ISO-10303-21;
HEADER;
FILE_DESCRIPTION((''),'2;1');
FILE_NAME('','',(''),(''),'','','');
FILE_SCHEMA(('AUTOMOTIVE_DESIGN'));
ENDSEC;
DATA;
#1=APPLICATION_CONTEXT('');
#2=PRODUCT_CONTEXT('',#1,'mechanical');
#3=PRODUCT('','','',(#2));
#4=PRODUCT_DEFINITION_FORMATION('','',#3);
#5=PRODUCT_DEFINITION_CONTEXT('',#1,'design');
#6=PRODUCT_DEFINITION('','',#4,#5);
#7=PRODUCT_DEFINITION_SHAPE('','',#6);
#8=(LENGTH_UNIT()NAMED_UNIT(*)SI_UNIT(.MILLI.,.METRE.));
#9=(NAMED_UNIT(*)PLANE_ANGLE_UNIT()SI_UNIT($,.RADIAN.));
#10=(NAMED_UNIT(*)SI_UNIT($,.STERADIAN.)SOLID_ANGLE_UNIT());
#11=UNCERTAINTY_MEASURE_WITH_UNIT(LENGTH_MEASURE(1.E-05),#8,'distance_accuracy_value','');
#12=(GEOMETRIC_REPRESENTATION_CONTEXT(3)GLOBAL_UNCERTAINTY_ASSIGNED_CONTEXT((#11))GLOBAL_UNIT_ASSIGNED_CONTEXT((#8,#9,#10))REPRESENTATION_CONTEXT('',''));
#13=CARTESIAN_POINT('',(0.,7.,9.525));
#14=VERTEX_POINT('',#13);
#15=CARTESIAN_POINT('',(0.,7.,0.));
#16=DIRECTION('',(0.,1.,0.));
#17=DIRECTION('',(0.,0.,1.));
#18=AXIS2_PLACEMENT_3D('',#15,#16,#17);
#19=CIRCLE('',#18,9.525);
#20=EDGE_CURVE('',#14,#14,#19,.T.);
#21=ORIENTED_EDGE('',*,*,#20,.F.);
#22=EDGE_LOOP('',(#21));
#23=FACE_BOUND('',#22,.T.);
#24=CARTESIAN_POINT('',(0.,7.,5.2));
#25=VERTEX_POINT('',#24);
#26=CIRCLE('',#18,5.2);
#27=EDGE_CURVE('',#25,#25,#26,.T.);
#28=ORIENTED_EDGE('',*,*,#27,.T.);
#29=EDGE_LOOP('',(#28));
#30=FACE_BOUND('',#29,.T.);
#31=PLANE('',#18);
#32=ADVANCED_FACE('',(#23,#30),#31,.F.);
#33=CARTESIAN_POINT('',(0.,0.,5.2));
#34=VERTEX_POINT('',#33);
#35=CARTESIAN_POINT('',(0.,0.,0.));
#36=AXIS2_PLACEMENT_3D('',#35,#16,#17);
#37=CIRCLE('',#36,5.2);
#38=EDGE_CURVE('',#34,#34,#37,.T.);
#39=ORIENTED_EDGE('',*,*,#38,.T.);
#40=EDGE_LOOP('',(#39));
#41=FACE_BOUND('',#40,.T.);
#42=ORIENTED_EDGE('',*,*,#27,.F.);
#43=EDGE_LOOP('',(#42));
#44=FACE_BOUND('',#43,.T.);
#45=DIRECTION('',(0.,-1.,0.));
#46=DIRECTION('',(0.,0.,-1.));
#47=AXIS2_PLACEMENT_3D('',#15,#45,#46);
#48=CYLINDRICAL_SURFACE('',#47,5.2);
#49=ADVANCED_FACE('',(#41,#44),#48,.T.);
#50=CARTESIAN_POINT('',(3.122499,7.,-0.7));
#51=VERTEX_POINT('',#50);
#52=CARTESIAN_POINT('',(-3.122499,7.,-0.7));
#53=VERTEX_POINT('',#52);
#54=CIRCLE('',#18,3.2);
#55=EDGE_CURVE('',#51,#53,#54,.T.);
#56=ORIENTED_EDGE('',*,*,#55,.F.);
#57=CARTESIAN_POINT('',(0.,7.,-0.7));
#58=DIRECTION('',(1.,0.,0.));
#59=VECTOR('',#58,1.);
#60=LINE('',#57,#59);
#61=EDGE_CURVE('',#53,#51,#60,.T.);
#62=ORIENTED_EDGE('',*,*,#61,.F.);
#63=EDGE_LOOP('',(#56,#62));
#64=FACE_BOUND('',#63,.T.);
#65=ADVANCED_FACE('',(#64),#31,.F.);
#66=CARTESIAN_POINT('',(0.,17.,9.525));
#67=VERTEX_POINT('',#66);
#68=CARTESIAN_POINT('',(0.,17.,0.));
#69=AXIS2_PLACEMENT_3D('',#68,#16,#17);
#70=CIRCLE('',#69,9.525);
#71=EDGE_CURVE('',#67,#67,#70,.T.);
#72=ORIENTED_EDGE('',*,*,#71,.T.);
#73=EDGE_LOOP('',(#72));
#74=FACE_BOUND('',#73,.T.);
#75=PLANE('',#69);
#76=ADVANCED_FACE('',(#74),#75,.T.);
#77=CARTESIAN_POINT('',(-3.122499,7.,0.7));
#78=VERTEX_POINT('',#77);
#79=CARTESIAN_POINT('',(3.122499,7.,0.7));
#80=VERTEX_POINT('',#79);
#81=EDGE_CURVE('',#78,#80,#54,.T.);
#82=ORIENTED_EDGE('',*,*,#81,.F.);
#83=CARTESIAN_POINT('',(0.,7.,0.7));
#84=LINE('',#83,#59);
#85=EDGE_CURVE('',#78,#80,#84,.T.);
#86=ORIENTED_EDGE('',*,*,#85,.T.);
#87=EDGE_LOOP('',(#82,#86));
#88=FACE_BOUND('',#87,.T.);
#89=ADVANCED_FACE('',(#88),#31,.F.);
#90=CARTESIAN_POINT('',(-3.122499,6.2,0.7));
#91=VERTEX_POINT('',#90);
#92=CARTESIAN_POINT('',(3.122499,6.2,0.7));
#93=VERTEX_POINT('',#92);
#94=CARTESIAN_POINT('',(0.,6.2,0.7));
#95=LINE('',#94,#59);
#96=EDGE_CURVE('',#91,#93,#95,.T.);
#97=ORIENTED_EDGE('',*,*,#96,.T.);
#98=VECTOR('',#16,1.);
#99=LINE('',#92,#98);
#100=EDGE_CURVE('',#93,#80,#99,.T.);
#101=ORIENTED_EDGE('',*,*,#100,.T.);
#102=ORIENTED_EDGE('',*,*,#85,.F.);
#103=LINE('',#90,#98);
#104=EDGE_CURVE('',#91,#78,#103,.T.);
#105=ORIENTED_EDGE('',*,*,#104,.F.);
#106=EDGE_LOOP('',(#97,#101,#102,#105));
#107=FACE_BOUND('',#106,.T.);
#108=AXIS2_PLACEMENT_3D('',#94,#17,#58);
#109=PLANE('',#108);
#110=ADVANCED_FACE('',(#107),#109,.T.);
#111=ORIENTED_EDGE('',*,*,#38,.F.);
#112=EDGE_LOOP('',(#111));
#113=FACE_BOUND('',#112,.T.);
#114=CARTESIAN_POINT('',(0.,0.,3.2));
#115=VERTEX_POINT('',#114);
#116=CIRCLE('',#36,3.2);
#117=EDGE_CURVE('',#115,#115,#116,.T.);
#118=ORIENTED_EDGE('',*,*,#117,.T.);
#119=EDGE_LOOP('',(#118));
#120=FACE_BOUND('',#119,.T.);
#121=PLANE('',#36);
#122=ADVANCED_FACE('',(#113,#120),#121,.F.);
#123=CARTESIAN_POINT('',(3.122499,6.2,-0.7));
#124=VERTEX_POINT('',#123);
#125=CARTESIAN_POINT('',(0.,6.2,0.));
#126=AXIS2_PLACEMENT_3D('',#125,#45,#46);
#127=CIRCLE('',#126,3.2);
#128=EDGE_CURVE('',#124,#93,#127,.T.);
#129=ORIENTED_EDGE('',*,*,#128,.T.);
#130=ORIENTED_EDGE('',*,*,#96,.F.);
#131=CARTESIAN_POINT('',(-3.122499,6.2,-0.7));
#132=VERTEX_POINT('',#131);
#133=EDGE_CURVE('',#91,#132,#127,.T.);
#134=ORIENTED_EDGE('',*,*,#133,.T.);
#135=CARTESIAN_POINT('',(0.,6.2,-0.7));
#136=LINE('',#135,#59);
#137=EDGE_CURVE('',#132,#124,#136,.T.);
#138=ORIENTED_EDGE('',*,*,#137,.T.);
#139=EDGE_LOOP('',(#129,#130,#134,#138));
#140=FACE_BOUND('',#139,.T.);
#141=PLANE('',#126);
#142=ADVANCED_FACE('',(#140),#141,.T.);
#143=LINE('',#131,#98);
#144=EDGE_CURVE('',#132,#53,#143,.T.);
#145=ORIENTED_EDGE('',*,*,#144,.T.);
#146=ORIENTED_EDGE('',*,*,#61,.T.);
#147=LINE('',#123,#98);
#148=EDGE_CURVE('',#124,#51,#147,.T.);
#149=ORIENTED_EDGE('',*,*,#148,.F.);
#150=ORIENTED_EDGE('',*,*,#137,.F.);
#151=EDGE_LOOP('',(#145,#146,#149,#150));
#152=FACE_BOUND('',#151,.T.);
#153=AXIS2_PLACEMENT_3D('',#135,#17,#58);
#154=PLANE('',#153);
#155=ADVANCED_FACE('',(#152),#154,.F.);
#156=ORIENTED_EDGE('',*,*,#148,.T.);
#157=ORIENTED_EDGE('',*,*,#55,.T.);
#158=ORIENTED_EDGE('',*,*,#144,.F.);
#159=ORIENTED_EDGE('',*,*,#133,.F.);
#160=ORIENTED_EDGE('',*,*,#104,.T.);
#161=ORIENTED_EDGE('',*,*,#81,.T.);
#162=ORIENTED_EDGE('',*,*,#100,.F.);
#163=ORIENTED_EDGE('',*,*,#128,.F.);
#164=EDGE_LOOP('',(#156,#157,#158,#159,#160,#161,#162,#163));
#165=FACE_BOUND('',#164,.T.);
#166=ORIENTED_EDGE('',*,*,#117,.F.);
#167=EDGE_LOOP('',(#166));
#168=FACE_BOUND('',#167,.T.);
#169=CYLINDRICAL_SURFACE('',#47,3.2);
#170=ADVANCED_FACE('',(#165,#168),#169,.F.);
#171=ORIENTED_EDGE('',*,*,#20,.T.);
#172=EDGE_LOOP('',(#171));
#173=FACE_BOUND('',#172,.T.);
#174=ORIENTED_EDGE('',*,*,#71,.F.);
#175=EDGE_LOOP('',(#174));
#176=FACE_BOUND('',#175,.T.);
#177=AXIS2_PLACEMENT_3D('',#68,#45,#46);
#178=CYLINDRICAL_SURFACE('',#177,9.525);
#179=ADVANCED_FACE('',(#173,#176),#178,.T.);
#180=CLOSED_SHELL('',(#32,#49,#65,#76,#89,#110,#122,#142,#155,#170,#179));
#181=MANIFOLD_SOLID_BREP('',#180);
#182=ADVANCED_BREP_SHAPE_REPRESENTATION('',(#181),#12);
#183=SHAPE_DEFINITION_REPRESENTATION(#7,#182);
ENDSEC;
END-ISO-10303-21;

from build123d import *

# Parameters (mm, degrees)
SKETCH1_R           = 5.2
SKETCH1_R_2         = 3.2
BOSS_EXTRUDE1_DEPTH = 7
SKETCH2_R           = 9.525
BOSS_EXTRUDE2_DEPTH = 10
BOSS_EXTRUDE3_START = 0.8
BOSS_EXTRUDE3_DEPTH = 0.8


with BuildPart() as part:
    # Sketch1 → Boss-Extrude1 (new body)
    with BuildSketch(Plane(origin=(0, 0, 0), x_dir=(1, 0, 0), z_dir=(0, 1, 0))):
        with Locations(Location((0, 0, 0), (0, 0, 270))):
            Circle(SKETCH1_R)
        with Locations(Location((0, 0, 0), (0, 0, 270))):
            Circle(SKETCH1_R_2, mode=Mode.SUBTRACT)
    extrude(amount=BOSS_EXTRUDE1_DEPTH)

    # Sketch2 → Boss-Extrude2 (add)
    with BuildSketch(Plane(origin=(0, 7, 0), x_dir=(1, 0, 0), z_dir=(0, 1, 0))):
        with Locations(Location((0, 0, 0), (0, 0, 270))):
            Circle(SKETCH2_R)
    extrude(amount=BOSS_EXTRUDE2_DEPTH)

    # Sketch3 → Boss-Extrude3 (add)
    with BuildSketch(Plane.XZ.offset(-7).offset(BOSS_EXTRUDE3_START)):
        with BuildLine():
            Line((3.122498999, 0.7), (-3.122498999, 0.7))
            ThreePointArc((-3.122498999, 0.7), (-3.180565736, 0.352138611), (-3.2, 0))
            ThreePointArc((-3.2, 0), (-3.180565736, -0.352138611), (-3.122498999, -0.7))
            Line((-3.122498999, -0.7), (3.122498999, -0.7))
            ThreePointArc((3.122498999, -0.7), (3.180565736, -0.352138611), (3.2, 0))
            ThreePointArc((3.2, 0), (3.180565736, 0.352138611), (3.122498999, 0.7))
        make_face()
    extrude(amount=-BOSS_EXTRUDE3_DEPTH)


solid = part.part
